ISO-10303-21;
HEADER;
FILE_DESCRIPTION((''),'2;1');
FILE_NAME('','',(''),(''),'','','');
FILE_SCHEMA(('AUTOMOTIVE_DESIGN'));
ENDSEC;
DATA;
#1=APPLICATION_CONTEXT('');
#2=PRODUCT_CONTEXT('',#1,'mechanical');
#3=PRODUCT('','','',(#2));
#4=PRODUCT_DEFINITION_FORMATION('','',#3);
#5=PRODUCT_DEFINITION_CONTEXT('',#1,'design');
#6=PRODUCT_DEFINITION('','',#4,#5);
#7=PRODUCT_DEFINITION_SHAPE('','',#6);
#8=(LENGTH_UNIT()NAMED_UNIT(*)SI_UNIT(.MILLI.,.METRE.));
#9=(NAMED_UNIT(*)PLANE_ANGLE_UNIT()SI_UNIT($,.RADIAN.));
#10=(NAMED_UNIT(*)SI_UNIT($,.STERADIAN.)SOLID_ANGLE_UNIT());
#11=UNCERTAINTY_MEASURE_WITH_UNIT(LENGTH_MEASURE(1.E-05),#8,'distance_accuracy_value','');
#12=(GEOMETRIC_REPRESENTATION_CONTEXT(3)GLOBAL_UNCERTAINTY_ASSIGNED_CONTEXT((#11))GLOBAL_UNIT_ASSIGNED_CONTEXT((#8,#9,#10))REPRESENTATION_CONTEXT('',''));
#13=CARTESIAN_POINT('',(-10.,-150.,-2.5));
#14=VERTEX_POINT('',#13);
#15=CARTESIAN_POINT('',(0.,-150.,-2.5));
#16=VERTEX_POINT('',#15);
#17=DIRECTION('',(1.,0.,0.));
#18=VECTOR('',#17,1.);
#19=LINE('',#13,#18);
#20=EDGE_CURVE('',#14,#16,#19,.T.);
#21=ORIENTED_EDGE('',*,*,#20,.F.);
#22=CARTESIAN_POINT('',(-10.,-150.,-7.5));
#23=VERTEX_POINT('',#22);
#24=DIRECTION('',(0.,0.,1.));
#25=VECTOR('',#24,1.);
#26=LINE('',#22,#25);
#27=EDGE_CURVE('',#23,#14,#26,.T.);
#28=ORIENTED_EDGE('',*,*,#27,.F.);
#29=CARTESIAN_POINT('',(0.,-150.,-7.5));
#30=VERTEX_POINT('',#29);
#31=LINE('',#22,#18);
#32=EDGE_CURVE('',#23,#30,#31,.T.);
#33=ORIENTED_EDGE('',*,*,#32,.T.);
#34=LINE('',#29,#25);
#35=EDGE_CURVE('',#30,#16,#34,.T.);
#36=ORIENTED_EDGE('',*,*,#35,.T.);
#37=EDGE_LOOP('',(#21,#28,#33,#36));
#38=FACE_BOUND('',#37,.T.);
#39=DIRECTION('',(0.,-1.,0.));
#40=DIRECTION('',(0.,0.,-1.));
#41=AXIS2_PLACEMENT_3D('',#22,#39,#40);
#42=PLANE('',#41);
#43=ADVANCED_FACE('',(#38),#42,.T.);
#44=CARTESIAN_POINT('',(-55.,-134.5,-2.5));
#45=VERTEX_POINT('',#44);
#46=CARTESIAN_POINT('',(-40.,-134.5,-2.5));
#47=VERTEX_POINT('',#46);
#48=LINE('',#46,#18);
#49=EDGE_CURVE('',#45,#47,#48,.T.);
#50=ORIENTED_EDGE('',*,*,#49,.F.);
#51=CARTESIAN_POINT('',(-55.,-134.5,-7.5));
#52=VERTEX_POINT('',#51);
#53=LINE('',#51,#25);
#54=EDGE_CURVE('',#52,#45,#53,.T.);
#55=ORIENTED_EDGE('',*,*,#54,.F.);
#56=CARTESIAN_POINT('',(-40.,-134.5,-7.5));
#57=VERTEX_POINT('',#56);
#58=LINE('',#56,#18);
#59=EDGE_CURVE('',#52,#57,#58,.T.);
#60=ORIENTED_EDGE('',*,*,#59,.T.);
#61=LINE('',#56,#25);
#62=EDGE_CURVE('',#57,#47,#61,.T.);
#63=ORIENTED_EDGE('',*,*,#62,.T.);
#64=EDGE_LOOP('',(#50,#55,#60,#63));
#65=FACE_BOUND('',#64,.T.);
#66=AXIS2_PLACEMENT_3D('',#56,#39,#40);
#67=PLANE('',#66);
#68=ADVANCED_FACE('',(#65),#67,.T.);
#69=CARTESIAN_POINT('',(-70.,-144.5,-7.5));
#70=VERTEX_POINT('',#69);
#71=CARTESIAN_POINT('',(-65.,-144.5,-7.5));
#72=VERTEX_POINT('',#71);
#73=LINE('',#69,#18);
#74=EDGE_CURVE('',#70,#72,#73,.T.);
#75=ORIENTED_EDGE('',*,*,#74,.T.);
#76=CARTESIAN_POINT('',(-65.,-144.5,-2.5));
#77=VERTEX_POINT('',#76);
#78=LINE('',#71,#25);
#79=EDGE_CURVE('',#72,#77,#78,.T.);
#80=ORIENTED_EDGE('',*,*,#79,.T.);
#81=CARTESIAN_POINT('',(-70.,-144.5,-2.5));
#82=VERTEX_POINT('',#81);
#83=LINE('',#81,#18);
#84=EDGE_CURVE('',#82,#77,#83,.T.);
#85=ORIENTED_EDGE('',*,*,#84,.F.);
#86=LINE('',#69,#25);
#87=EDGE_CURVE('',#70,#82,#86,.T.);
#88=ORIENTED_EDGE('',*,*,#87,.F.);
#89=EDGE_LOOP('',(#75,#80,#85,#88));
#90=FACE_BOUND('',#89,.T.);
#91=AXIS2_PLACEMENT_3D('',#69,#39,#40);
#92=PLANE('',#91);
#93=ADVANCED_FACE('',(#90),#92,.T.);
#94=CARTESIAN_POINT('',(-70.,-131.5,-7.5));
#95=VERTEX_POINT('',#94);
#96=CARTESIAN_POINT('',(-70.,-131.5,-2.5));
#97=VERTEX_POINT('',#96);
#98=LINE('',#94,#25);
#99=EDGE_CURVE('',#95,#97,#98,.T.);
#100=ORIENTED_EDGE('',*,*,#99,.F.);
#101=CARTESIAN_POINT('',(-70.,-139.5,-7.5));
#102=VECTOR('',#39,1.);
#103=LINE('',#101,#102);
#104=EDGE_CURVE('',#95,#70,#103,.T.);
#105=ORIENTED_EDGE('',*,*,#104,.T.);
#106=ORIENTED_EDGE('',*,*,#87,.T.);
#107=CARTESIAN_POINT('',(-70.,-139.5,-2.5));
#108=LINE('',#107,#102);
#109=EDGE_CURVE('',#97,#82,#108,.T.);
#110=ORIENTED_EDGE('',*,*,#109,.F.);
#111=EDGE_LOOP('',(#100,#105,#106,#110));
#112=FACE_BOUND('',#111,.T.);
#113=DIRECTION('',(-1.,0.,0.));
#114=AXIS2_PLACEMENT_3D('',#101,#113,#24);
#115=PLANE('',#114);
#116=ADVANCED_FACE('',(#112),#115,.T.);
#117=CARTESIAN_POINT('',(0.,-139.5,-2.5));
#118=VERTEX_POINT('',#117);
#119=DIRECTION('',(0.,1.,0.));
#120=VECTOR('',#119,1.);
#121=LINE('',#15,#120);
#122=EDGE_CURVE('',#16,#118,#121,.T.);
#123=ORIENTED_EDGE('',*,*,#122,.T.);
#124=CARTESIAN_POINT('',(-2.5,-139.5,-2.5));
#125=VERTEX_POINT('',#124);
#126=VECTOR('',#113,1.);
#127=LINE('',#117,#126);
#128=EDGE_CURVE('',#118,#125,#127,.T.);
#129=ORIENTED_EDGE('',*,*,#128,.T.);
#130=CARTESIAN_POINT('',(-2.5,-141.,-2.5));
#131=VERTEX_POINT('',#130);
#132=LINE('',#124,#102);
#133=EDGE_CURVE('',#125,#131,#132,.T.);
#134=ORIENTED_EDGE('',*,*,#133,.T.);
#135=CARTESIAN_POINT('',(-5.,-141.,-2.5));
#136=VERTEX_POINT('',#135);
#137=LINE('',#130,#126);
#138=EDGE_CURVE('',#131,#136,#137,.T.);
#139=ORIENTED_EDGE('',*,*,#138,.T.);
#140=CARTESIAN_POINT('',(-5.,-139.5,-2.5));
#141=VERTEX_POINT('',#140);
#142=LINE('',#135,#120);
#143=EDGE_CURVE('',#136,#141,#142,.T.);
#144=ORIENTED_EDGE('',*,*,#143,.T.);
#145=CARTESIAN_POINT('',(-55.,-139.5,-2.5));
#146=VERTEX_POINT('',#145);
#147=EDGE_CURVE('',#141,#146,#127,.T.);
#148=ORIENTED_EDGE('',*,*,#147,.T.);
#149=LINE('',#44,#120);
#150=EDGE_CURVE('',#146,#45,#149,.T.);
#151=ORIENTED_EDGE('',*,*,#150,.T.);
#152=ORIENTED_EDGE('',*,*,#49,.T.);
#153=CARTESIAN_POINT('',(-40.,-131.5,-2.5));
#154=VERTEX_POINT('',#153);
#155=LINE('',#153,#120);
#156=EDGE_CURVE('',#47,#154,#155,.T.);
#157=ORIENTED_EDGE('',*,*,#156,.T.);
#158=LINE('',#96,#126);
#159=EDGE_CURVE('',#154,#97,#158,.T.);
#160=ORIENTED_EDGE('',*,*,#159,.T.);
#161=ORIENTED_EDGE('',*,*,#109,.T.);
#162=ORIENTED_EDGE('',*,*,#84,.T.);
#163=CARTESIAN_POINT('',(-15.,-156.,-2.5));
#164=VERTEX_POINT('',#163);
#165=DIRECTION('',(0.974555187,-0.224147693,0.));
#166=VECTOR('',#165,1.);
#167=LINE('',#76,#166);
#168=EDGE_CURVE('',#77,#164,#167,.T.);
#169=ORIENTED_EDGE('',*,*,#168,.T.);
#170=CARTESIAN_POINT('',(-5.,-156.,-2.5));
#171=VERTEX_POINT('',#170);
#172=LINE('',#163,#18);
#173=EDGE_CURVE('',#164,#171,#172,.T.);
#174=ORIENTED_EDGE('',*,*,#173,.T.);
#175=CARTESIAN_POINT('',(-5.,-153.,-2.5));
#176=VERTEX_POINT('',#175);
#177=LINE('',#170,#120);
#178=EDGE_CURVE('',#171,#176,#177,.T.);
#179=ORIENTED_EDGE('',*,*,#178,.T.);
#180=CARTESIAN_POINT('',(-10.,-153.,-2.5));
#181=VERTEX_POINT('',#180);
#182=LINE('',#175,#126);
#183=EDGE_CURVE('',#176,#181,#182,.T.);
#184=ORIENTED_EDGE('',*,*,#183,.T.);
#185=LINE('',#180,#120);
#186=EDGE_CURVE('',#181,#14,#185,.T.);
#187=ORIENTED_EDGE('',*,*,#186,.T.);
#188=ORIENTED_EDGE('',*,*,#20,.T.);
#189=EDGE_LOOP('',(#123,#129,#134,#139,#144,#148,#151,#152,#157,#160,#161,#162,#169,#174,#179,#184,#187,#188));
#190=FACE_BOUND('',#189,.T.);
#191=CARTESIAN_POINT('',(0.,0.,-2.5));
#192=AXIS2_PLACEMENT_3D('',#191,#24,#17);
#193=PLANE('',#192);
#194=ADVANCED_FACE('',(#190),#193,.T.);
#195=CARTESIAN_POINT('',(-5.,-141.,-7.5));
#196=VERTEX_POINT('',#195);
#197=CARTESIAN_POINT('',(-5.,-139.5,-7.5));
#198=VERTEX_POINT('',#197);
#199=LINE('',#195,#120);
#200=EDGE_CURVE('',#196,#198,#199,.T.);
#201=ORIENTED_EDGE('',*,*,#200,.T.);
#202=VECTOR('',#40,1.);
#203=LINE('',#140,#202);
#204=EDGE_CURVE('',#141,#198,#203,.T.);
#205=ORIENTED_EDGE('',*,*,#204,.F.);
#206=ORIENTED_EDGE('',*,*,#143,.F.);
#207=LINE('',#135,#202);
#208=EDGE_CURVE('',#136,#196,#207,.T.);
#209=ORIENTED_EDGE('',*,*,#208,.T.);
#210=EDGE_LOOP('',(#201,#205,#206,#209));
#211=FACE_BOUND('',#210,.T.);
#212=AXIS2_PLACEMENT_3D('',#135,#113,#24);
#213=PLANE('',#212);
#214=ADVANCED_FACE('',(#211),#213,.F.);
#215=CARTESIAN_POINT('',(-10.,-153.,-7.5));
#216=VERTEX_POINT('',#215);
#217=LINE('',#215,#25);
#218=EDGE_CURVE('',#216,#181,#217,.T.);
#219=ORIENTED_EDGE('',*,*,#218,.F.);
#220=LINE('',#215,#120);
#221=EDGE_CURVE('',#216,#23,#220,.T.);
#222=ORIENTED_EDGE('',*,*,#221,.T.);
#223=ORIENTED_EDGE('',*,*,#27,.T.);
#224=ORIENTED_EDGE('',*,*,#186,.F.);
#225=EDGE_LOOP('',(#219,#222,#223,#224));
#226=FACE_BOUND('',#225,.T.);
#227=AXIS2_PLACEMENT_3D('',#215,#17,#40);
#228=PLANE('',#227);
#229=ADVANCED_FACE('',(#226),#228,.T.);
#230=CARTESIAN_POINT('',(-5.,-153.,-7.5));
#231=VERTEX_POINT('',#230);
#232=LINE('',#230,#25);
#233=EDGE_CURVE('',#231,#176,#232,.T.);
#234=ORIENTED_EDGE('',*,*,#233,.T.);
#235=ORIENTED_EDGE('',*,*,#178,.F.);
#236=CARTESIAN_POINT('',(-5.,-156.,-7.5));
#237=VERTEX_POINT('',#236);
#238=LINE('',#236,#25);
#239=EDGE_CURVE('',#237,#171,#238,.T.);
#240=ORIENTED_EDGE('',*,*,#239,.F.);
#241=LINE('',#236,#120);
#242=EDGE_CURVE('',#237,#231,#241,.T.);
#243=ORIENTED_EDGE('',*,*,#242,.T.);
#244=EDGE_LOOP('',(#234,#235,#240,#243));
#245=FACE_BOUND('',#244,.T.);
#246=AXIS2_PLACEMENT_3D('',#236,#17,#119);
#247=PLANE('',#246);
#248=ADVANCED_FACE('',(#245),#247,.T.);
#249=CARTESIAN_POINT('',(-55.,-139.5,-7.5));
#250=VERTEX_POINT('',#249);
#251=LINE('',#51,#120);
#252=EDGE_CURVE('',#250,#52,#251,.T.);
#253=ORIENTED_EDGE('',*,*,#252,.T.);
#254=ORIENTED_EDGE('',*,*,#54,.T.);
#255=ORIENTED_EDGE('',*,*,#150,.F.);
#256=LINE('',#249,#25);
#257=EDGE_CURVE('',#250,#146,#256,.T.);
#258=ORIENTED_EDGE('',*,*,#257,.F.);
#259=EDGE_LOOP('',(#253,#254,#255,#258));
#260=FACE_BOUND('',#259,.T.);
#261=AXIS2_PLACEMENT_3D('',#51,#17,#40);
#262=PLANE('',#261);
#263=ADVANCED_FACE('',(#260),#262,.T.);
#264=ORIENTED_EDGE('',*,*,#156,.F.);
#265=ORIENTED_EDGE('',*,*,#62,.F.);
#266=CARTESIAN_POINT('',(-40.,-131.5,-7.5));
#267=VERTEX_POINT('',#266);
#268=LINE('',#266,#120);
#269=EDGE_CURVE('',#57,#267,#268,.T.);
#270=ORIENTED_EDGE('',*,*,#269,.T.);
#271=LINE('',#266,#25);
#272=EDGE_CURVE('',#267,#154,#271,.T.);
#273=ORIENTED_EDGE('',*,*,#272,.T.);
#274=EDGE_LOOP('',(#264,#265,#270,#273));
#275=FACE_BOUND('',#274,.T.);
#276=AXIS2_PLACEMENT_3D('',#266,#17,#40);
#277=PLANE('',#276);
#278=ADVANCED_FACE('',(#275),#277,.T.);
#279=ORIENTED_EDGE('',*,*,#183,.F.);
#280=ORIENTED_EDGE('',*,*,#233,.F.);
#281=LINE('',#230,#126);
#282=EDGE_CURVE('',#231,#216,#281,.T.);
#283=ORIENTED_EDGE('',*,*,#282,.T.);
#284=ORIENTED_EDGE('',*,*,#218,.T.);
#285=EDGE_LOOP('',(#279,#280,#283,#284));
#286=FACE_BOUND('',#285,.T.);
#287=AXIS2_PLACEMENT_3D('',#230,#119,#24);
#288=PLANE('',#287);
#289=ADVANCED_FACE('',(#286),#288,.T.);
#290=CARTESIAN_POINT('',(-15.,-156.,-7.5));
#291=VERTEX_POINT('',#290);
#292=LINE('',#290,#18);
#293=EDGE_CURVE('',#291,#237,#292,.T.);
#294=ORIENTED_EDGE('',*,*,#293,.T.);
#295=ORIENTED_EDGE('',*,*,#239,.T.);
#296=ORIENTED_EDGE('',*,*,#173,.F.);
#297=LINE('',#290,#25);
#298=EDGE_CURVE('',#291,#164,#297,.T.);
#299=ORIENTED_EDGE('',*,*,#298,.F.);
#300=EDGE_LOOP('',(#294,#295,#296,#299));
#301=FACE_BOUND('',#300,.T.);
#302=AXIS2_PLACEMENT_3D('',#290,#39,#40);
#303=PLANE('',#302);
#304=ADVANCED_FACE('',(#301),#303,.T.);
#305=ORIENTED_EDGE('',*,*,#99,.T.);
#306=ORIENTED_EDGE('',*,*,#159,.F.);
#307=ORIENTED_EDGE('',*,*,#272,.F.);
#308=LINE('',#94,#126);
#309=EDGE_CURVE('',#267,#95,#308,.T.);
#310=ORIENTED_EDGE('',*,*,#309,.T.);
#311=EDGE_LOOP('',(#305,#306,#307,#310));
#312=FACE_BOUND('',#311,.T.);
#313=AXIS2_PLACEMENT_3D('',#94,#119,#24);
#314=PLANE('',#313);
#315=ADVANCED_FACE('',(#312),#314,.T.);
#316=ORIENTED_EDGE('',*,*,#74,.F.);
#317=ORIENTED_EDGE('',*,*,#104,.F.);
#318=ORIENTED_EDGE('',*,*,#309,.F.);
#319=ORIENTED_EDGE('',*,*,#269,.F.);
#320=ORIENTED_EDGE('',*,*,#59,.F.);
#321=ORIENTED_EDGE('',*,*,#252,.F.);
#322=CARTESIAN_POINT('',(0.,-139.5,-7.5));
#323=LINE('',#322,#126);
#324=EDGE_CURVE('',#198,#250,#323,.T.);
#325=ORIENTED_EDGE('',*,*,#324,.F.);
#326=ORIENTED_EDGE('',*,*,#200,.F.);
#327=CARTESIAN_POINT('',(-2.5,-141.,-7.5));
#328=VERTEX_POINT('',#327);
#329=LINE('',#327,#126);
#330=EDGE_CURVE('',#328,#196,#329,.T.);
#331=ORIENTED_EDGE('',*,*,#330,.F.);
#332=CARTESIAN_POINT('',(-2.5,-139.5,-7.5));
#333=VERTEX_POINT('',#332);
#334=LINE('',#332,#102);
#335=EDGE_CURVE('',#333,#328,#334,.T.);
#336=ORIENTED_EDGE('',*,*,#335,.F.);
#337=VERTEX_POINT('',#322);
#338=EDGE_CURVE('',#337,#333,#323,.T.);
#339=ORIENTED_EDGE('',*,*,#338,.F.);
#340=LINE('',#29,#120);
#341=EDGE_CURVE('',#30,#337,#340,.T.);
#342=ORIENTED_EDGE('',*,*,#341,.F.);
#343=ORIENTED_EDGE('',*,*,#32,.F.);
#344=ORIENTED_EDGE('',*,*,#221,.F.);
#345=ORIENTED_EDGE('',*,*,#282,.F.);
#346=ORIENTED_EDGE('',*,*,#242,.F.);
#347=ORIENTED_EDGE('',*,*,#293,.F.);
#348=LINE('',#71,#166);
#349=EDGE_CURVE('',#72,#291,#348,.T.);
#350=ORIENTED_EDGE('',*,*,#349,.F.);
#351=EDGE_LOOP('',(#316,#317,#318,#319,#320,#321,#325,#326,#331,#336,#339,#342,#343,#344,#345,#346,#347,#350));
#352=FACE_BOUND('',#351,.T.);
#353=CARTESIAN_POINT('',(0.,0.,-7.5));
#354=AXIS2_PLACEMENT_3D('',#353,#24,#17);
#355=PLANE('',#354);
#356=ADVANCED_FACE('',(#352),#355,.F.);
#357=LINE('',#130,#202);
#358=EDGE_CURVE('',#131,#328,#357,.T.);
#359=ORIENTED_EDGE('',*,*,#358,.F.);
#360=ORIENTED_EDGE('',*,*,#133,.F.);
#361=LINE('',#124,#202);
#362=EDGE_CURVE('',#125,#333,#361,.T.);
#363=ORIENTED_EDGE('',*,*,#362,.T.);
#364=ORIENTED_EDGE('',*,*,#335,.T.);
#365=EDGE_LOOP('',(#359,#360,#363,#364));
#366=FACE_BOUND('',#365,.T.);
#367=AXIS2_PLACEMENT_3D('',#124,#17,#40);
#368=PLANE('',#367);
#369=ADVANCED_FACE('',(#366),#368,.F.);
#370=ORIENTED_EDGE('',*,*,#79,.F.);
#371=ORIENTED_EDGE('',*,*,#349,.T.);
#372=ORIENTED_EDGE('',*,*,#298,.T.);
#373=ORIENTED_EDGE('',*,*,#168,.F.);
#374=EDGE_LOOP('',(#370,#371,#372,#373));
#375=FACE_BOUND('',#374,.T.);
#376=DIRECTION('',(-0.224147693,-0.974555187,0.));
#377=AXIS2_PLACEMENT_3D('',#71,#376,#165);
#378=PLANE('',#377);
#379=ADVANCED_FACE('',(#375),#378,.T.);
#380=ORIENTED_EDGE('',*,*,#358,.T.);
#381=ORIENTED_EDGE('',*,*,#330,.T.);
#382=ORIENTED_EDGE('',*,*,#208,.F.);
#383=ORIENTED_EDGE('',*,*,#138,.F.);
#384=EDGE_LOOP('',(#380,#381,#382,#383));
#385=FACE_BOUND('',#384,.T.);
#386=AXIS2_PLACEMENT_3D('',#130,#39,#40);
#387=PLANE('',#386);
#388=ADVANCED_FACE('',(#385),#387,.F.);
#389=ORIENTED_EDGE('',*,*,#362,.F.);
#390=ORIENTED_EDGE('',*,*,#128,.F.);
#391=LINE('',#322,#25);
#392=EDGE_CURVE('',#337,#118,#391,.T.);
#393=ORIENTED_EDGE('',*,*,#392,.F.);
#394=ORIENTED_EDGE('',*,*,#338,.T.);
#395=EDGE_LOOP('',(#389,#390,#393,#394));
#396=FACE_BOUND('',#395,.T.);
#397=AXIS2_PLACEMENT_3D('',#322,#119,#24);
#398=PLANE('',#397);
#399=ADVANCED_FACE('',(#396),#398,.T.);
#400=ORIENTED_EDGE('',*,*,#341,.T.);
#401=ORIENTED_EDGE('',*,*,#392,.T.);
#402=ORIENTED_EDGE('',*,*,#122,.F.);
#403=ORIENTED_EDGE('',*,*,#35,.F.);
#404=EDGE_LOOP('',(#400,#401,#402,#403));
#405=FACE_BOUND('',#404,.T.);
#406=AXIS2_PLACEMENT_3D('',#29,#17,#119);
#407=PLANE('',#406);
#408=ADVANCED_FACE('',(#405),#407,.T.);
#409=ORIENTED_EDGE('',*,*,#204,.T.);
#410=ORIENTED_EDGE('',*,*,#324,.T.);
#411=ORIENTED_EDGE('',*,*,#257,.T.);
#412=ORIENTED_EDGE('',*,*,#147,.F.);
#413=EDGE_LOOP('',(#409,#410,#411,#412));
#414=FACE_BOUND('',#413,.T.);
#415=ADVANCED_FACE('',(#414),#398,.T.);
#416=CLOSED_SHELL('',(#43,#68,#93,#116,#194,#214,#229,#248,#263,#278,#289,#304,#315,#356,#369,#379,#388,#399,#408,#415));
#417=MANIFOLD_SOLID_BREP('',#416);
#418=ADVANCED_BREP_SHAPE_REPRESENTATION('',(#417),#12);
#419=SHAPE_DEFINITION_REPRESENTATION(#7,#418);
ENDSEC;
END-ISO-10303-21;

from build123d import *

# Parameters (mm, degrees)
BOSS_EXTRUDE1_DEPTH = 5
SKETCH3_W           = 2.5
SKETCH3_H           = 1.5
CUT_EXTRUDE1_DEPTH  = 172.058469536


with BuildPart() as part:
    # Sketch2 → Boss-Extrude1 (new body)
    with BuildSketch(Plane.XY.offset(-2.5)):
        Polygon((-70, -139.5), (-70, -131.5), (-40, -131.5), (-40, -134.5), (-55, -134.5), (-55, -139.5), (0, -139.5), (0, -150), (-10, -150), (-10, -153), (-5, -153), (-5, -156), (-15, -156), (-65, -144.5), (-70, -144.5), align=None)
    extrude(amount=-BOSS_EXTRUDE1_DEPTH)

    # Sketch3 → Cut-Extrude1 (cut, through all)
    with BuildSketch(Plane(origin=(0, 0, -7.5), x_dir=(-1, 0, 0), z_dir=(0, 0, -1))):
        with Locations((3.75, -140.25)):
            Rectangle(SKETCH3_W, SKETCH3_H)
    extrude(amount=-CUT_EXTRUDE1_DEPTH, mode=Mode.SUBTRACT)


solid = part.part
